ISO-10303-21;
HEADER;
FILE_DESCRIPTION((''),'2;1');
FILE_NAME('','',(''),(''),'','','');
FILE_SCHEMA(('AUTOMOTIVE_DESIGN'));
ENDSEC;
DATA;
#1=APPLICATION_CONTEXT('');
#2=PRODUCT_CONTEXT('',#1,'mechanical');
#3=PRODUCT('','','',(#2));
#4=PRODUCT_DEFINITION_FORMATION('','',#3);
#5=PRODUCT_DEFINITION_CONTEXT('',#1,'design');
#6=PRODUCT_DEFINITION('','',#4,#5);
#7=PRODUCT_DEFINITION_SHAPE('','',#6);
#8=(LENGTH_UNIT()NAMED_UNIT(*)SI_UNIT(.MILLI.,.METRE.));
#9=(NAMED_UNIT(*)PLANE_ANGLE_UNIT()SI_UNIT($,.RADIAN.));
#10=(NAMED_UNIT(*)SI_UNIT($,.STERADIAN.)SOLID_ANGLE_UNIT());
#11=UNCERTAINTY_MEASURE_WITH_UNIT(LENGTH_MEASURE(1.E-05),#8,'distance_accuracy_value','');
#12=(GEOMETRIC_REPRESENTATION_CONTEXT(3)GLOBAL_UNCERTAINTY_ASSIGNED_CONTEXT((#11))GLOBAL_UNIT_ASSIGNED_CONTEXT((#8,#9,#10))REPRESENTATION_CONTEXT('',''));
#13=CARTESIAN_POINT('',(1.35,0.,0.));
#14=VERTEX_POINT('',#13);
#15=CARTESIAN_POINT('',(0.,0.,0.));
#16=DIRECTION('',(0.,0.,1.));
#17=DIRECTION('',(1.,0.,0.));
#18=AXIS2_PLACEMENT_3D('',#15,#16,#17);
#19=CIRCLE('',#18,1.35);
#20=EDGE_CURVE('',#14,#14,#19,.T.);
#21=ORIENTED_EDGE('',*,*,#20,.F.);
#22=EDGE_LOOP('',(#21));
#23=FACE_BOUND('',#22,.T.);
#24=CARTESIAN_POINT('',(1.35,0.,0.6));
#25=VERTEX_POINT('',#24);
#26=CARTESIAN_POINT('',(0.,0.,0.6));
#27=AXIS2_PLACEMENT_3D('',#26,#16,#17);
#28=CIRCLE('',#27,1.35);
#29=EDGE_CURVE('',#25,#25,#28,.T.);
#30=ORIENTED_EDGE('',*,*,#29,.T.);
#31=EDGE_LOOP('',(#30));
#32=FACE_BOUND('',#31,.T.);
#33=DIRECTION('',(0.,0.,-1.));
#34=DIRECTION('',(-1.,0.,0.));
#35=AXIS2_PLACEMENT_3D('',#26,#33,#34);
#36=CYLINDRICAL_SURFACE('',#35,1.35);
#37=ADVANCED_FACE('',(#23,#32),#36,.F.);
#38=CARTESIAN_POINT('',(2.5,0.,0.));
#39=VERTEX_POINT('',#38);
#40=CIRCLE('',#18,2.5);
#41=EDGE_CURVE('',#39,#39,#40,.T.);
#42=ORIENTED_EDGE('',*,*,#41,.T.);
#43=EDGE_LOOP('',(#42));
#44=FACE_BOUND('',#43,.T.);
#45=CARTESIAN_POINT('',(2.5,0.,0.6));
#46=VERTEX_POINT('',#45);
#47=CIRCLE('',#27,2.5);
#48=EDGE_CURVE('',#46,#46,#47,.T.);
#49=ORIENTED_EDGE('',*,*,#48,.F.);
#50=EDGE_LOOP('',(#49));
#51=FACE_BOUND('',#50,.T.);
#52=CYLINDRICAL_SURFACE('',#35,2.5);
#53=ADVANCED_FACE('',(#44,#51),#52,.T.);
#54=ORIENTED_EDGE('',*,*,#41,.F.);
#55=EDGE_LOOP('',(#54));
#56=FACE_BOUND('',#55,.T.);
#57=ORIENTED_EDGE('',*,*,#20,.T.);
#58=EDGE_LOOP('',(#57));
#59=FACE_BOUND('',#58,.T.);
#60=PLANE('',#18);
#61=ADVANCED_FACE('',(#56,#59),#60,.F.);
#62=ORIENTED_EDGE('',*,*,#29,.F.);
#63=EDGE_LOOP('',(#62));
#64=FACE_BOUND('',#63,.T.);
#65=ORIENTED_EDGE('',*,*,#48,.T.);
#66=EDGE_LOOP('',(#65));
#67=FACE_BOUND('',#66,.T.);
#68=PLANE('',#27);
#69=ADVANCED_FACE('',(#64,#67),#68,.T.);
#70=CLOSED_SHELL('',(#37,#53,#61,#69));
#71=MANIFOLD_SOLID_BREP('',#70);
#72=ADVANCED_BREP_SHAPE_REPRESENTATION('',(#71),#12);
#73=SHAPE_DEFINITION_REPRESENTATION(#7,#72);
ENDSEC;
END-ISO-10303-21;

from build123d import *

# Parameters (mm, degrees)
SKETCH1_R           = 2.5
SKETCH1_R_2         = 1.35
BOSS_EXTRUDE1_DEPTH = 0.6


with BuildPart() as part:
    # Sketch1 → Boss-Extrude1 (new body)
    with BuildSketch(Plane.XY):
        Circle(SKETCH1_R)
        Circle(SKETCH1_R_2, mode=Mode.SUBTRACT)
    extrude(amount=BOSS_EXTRUDE1_DEPTH)


solid = part.part
